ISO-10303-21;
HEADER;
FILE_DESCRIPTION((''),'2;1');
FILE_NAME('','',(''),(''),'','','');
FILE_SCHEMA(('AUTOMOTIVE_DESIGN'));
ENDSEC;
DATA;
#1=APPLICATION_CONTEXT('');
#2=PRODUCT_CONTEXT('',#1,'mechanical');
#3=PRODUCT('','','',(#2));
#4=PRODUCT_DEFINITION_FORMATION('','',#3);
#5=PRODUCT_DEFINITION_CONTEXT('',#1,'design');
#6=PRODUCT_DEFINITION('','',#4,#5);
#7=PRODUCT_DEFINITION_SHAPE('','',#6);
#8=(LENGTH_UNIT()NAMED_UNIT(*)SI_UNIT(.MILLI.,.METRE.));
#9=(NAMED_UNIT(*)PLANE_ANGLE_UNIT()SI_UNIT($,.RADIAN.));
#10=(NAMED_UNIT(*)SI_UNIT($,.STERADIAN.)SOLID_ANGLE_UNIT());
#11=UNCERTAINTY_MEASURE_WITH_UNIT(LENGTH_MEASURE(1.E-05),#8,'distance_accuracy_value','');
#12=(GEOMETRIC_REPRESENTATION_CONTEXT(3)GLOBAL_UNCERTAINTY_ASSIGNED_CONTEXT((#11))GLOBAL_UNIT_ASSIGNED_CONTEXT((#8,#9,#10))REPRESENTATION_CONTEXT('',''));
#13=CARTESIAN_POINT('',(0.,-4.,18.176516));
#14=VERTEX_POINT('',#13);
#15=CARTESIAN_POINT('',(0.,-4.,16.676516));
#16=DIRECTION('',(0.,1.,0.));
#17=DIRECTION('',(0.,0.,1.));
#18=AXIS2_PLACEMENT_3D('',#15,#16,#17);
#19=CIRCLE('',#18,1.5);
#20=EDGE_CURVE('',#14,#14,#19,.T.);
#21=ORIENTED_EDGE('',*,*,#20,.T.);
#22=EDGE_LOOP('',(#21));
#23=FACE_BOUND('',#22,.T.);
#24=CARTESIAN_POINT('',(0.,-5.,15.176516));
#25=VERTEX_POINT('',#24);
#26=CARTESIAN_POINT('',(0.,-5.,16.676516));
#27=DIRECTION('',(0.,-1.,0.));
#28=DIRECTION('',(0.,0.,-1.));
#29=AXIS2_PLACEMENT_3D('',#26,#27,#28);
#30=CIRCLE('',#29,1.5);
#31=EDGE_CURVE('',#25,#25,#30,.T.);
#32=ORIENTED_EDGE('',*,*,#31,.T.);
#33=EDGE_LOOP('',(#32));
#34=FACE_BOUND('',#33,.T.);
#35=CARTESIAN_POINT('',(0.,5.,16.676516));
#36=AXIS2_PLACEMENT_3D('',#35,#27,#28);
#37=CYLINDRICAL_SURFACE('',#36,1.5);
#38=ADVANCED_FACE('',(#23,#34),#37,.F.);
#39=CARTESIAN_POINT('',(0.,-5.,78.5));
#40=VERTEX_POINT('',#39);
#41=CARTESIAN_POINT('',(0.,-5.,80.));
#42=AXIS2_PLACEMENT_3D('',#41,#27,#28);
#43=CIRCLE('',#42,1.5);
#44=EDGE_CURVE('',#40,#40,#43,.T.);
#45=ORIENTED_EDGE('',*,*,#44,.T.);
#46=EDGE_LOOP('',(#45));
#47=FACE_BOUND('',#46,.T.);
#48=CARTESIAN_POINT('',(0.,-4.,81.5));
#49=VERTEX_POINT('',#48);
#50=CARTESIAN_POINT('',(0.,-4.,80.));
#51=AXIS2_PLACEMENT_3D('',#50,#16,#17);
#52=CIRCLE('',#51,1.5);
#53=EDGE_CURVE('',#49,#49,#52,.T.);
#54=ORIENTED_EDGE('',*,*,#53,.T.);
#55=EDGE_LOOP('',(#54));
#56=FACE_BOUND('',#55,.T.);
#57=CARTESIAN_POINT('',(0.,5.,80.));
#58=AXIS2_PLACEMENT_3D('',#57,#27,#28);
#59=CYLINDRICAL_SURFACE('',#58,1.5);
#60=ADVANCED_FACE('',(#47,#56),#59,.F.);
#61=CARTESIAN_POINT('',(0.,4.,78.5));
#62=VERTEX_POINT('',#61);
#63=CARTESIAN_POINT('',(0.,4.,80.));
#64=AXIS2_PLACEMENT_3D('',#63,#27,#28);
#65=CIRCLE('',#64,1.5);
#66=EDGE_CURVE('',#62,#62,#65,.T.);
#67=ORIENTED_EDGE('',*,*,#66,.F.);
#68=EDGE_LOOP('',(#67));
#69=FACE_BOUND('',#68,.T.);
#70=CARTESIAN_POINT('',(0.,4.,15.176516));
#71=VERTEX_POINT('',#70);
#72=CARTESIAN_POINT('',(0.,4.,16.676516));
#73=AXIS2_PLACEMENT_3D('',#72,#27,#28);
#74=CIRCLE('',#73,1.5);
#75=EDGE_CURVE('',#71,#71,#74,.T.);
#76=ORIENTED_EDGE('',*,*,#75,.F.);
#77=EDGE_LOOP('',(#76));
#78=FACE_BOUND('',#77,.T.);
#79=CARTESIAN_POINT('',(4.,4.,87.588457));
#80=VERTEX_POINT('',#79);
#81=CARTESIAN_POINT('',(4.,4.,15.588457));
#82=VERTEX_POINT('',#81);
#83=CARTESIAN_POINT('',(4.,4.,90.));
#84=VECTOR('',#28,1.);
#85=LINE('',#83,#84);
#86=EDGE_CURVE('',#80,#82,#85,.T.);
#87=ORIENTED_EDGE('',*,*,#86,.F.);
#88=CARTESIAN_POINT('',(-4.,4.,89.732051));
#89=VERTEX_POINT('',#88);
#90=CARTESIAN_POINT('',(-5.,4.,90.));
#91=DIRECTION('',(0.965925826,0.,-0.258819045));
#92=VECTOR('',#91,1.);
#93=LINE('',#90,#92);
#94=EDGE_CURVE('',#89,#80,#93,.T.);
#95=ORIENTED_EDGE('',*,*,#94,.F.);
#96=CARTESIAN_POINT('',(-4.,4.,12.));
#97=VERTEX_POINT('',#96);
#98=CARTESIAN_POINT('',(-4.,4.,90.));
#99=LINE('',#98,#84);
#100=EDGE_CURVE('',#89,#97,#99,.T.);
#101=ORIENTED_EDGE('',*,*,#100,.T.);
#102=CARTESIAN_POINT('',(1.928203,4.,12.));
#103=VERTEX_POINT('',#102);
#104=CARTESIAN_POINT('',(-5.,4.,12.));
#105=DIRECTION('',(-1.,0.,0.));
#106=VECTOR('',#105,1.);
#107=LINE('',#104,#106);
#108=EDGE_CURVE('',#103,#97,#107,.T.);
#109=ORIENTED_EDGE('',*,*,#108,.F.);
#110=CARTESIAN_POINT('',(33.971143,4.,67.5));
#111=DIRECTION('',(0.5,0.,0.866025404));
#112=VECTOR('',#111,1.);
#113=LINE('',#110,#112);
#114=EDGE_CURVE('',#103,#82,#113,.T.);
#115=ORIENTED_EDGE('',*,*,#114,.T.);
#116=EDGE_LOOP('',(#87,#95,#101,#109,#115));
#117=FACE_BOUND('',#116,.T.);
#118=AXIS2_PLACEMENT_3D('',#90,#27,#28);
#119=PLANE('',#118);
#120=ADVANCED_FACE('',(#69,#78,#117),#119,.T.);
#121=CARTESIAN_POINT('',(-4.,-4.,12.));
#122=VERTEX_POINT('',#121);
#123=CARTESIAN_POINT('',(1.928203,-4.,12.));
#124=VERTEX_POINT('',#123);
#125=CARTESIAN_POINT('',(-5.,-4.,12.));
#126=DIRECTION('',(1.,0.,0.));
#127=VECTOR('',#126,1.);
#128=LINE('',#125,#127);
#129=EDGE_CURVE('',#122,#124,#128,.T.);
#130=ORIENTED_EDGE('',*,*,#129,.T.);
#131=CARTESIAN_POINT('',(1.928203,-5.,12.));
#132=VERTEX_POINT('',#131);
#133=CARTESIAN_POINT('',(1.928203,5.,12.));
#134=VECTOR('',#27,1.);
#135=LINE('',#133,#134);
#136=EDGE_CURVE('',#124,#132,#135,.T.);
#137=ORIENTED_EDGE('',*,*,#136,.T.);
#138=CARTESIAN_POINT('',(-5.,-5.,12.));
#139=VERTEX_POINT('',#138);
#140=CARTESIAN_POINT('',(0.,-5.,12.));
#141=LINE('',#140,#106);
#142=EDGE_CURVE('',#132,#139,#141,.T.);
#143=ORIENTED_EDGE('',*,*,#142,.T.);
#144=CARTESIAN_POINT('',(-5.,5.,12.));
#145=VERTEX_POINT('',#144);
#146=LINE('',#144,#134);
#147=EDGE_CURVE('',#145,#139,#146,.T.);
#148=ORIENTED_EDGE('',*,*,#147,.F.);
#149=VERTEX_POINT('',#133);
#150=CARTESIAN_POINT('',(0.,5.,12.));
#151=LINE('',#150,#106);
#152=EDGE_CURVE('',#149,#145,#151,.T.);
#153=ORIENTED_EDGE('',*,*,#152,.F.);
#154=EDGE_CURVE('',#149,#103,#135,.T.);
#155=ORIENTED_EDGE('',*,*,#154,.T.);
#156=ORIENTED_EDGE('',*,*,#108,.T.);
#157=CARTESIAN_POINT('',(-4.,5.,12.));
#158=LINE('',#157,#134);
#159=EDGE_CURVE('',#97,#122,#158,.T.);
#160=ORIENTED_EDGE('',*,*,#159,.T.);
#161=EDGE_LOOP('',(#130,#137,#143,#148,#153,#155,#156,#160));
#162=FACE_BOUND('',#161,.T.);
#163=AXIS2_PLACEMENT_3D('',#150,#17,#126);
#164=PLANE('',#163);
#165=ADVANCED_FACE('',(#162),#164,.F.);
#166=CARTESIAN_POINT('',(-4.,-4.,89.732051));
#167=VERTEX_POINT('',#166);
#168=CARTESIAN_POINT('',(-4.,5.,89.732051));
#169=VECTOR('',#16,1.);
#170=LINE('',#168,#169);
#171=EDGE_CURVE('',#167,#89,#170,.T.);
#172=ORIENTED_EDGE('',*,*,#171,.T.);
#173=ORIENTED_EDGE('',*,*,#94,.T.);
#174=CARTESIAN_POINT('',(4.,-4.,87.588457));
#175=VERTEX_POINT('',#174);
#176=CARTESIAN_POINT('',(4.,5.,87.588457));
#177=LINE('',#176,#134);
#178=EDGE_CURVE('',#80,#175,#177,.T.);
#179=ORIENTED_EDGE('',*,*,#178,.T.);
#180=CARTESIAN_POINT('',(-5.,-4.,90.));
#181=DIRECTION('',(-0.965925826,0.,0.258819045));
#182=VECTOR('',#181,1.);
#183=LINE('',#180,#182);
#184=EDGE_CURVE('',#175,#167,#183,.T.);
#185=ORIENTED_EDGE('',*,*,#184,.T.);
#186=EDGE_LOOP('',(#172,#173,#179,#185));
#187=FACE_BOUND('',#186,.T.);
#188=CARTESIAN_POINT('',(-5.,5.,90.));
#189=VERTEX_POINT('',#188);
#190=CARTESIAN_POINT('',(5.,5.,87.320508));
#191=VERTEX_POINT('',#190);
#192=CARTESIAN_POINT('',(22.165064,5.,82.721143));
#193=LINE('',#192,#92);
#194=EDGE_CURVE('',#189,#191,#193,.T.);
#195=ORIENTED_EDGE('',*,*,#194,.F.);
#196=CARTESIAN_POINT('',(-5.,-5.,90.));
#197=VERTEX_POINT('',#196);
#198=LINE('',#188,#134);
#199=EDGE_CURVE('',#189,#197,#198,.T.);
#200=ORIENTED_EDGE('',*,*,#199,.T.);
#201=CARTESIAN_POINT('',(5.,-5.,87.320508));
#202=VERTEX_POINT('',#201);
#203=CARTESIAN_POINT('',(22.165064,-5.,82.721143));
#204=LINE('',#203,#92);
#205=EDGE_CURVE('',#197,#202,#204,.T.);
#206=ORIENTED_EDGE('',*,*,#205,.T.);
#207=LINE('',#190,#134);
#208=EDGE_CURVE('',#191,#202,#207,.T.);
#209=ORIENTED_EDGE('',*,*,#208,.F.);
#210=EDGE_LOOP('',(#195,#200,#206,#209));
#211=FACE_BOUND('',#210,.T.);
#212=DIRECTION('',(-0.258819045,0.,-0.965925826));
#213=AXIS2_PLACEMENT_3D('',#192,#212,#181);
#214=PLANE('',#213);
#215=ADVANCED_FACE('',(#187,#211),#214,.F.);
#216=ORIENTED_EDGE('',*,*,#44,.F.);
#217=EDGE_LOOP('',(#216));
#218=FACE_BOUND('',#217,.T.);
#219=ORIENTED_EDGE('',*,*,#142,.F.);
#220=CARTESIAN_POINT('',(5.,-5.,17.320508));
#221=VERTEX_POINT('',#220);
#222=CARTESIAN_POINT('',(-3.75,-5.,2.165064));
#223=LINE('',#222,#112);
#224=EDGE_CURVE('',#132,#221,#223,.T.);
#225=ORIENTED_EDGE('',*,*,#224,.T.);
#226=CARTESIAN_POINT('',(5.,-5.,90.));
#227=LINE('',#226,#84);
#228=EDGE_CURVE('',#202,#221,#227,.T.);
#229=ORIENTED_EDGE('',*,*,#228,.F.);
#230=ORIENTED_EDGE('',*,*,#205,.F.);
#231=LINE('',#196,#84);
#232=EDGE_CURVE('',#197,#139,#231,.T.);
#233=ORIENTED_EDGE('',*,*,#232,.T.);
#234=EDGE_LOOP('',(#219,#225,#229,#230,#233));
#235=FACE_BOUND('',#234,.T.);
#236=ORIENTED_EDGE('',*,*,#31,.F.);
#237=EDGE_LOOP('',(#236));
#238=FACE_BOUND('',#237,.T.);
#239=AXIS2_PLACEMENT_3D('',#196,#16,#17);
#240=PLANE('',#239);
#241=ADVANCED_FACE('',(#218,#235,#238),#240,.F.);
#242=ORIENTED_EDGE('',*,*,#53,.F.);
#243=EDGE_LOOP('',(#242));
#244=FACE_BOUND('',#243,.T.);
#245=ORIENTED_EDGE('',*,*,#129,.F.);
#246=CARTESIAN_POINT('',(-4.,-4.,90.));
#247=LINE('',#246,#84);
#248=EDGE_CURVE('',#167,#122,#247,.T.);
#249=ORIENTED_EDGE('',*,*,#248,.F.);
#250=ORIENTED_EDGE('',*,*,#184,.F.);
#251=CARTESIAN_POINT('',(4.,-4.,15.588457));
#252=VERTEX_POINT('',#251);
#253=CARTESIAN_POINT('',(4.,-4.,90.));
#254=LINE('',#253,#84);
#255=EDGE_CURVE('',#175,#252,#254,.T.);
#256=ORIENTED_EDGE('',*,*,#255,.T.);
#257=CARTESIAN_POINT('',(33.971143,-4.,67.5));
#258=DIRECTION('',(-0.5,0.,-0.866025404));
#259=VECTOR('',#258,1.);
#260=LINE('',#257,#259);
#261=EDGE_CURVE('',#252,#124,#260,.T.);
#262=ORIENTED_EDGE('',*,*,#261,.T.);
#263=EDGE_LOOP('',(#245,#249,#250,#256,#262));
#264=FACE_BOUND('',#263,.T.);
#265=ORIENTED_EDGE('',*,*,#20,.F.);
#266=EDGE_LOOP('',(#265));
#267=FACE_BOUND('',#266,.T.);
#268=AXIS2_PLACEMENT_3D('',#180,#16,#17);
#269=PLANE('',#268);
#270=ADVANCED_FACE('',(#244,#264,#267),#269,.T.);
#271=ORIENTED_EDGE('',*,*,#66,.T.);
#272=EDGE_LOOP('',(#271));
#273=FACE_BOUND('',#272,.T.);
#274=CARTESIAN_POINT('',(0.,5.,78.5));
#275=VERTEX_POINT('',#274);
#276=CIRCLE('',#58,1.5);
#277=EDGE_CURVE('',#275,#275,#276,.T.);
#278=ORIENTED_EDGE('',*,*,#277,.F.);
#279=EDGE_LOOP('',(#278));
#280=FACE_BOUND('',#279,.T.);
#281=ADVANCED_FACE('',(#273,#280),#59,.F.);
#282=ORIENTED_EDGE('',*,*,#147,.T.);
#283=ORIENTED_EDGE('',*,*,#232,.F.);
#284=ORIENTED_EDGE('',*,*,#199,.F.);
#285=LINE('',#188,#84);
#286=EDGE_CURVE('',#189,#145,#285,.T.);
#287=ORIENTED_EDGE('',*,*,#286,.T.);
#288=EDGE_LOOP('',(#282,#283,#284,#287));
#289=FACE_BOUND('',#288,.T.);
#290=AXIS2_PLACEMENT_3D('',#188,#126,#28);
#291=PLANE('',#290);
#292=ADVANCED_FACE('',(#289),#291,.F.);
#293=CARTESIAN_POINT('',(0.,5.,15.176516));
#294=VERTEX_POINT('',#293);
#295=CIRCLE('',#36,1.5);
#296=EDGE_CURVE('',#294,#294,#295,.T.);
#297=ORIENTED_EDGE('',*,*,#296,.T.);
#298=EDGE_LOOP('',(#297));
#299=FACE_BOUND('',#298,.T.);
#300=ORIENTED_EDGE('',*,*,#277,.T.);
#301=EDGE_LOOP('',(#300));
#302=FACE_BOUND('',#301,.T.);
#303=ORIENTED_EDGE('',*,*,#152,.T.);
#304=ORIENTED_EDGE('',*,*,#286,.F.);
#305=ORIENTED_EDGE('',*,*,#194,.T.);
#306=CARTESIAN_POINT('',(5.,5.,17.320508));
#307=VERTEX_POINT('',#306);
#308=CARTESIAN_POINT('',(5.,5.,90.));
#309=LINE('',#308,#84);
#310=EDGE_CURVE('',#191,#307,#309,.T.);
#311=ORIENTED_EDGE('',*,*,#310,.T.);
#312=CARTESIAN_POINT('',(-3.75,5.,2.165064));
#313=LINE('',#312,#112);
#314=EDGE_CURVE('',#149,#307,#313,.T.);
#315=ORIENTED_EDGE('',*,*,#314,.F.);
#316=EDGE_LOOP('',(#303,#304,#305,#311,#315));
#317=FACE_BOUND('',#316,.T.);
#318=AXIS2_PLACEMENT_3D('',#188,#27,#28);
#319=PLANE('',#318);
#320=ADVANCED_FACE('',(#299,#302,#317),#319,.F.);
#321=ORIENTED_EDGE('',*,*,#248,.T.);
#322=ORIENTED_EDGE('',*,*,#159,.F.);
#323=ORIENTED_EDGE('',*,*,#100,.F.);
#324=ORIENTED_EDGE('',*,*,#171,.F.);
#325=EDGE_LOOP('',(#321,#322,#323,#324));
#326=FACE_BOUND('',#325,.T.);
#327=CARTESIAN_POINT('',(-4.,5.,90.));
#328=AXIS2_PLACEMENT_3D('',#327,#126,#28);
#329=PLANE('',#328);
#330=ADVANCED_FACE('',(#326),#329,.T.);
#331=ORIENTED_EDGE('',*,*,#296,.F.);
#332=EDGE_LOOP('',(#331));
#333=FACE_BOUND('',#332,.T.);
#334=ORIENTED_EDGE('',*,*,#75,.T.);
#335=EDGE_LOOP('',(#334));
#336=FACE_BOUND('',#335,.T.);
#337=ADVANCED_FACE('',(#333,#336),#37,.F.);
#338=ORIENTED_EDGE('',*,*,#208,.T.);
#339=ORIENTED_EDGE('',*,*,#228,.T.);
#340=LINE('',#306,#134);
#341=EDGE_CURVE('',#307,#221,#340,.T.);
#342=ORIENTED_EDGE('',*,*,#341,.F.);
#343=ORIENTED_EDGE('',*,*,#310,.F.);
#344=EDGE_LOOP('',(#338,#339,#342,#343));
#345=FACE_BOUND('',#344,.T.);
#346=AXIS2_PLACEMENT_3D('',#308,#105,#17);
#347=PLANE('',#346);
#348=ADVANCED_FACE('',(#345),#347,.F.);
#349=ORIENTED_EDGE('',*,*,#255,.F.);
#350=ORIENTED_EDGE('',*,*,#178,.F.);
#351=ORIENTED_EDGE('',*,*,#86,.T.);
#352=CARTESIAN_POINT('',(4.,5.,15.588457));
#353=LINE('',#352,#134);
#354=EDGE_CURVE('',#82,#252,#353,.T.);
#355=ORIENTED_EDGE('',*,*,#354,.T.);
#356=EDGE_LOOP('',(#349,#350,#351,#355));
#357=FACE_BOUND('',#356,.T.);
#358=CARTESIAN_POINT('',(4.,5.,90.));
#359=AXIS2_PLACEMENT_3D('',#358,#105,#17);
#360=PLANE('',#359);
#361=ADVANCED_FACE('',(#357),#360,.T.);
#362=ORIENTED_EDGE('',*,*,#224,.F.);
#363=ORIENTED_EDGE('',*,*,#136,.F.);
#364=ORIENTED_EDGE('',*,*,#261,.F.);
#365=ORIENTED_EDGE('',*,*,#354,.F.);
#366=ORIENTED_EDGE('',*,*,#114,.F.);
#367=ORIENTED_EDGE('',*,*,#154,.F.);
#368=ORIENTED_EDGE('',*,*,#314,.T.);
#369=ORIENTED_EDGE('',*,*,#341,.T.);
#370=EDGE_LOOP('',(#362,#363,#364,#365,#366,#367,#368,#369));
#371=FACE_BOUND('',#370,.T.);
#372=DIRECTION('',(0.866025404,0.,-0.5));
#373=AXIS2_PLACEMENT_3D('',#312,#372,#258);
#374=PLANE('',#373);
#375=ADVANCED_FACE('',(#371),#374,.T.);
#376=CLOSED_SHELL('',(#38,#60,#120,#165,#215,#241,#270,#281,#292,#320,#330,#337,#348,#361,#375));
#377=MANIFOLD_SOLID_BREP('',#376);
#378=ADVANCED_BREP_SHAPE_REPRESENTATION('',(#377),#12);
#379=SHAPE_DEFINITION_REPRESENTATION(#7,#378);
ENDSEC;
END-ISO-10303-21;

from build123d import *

# Parameters (mm, degrees)
SKETCH_1_W          = 10
SKETCH_1_H          = 10
SKETCH_1_W_2        = 8
SKETCH_1_H_2        = 8
EXTRUDE_1_DEPTH     = 90
SKETCH_2_R          = 1.5
CUT_EXTRUDE_1_DEPTH = 11


with BuildPart() as part:
    # 草图1 → 拉伸-薄壁1 (new body)
    with BuildSketch(Plane.XY):
        Rectangle(SKETCH_1_W, SKETCH_1_H)
        Rectangle(SKETCH_1_W_2, SKETCH_1_H_2, mode=Mode.SUBTRACT)
    extrude(amount=EXTRUDE_1_DEPTH)

    # 草图2 → 切除-拉伸1 (cut, through all)
    with BuildSketch(Plane.XZ.offset(5)):
        Polygon((1.92820323, 12), (-5, 0), (5, 0), (5, 17.320508076), align=None)
        Polygon((-5, 12), (-5, 0), (1.92820323, 12), align=None)
        with Locations((0, 16.676515813)):
            Circle(SKETCH_2_R)
        Polygon((5, 90), (-5, 90), (5, 87.320508076), align=None)
        with Locations((0, 80)):
            Circle(SKETCH_2_R)
    extrude(amount=-CUT_EXTRUDE_1_DEPTH, mode=Mode.SUBTRACT)


solid = part.part
